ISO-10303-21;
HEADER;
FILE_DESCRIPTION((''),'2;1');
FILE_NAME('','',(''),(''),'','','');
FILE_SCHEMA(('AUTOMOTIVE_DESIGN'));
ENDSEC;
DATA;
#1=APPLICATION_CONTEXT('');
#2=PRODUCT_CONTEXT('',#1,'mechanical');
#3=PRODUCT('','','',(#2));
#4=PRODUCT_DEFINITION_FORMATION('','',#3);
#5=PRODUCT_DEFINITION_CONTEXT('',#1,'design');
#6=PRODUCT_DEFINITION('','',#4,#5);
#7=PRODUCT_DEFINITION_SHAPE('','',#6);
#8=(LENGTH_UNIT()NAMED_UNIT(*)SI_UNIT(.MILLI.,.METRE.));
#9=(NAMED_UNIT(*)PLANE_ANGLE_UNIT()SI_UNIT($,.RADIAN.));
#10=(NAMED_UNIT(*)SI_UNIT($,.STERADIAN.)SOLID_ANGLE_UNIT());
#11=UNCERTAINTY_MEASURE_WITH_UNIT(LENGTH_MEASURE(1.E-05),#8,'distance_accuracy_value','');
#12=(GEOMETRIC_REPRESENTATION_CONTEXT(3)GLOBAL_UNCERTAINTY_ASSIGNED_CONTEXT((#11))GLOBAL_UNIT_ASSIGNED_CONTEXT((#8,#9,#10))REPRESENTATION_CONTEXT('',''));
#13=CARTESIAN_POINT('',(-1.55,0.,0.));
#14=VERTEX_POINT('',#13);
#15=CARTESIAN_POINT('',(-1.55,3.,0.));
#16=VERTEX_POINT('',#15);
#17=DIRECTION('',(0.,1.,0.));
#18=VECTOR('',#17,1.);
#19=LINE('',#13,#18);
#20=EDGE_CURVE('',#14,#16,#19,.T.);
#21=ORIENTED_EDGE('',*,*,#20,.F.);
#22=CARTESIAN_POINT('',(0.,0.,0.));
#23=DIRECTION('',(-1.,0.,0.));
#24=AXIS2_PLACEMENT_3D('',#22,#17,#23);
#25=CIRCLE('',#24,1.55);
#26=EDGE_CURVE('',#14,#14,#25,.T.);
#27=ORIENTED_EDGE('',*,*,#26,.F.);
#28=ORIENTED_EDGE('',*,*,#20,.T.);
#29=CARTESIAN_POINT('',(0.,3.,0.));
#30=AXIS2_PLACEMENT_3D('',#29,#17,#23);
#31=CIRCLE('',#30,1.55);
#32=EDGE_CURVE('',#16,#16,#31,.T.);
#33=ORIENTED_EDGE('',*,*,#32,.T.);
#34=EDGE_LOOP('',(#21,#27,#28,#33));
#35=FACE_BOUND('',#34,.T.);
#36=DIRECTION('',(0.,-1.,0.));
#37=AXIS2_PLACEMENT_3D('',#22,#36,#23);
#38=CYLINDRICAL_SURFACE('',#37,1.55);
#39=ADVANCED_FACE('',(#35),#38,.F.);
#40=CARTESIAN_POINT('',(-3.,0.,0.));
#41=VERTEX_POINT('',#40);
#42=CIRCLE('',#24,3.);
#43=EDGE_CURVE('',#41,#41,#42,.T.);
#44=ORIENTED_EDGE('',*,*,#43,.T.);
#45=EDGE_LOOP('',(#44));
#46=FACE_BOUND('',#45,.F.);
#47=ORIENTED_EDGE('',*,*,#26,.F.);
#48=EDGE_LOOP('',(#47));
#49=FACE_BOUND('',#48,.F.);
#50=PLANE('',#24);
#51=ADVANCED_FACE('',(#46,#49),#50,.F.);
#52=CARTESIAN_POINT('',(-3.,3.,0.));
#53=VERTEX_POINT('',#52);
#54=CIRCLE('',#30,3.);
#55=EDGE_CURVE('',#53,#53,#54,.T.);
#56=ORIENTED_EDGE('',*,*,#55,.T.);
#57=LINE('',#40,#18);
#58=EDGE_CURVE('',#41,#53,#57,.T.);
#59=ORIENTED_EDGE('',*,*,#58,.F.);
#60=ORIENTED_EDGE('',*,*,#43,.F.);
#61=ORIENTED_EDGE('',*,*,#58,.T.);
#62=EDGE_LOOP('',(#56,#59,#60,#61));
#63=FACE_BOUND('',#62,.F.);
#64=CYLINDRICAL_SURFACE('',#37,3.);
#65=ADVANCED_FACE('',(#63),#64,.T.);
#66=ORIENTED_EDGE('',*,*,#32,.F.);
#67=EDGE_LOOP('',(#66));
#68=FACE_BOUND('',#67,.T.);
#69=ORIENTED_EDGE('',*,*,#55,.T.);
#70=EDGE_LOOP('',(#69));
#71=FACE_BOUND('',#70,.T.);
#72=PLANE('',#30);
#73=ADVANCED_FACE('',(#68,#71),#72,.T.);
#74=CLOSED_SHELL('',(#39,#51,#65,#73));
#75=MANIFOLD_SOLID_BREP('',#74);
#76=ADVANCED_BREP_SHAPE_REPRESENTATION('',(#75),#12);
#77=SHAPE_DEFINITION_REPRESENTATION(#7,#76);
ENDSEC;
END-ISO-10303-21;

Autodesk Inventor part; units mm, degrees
ref_plane "YZ Plane" through (0, 0, 0) normal (1, 0, 0) x (0, 1, 0)
ref_plane "XZ Plane" through (0, 0, 0) normal (0, 1, 0) x (-1, 0, 0)
ref_plane "XY Plane" through (0, 0, 0) normal (0, 0, 1) x (1, 0, 0)
sketch "Sketch1" plane through (0, 0, 0) normal (0, 1, 0) x (-1, 0, 0)
  circle A0 centre (0, 0) radius 1.55
  circle A1 centre (0, 0) radius 3
  dimension "d0" = 3.1
  dimension "d1" = 6
extrude "Extrusion1" add sketch "Sketch1" along normal blind 3
properties part number "pokladka"
